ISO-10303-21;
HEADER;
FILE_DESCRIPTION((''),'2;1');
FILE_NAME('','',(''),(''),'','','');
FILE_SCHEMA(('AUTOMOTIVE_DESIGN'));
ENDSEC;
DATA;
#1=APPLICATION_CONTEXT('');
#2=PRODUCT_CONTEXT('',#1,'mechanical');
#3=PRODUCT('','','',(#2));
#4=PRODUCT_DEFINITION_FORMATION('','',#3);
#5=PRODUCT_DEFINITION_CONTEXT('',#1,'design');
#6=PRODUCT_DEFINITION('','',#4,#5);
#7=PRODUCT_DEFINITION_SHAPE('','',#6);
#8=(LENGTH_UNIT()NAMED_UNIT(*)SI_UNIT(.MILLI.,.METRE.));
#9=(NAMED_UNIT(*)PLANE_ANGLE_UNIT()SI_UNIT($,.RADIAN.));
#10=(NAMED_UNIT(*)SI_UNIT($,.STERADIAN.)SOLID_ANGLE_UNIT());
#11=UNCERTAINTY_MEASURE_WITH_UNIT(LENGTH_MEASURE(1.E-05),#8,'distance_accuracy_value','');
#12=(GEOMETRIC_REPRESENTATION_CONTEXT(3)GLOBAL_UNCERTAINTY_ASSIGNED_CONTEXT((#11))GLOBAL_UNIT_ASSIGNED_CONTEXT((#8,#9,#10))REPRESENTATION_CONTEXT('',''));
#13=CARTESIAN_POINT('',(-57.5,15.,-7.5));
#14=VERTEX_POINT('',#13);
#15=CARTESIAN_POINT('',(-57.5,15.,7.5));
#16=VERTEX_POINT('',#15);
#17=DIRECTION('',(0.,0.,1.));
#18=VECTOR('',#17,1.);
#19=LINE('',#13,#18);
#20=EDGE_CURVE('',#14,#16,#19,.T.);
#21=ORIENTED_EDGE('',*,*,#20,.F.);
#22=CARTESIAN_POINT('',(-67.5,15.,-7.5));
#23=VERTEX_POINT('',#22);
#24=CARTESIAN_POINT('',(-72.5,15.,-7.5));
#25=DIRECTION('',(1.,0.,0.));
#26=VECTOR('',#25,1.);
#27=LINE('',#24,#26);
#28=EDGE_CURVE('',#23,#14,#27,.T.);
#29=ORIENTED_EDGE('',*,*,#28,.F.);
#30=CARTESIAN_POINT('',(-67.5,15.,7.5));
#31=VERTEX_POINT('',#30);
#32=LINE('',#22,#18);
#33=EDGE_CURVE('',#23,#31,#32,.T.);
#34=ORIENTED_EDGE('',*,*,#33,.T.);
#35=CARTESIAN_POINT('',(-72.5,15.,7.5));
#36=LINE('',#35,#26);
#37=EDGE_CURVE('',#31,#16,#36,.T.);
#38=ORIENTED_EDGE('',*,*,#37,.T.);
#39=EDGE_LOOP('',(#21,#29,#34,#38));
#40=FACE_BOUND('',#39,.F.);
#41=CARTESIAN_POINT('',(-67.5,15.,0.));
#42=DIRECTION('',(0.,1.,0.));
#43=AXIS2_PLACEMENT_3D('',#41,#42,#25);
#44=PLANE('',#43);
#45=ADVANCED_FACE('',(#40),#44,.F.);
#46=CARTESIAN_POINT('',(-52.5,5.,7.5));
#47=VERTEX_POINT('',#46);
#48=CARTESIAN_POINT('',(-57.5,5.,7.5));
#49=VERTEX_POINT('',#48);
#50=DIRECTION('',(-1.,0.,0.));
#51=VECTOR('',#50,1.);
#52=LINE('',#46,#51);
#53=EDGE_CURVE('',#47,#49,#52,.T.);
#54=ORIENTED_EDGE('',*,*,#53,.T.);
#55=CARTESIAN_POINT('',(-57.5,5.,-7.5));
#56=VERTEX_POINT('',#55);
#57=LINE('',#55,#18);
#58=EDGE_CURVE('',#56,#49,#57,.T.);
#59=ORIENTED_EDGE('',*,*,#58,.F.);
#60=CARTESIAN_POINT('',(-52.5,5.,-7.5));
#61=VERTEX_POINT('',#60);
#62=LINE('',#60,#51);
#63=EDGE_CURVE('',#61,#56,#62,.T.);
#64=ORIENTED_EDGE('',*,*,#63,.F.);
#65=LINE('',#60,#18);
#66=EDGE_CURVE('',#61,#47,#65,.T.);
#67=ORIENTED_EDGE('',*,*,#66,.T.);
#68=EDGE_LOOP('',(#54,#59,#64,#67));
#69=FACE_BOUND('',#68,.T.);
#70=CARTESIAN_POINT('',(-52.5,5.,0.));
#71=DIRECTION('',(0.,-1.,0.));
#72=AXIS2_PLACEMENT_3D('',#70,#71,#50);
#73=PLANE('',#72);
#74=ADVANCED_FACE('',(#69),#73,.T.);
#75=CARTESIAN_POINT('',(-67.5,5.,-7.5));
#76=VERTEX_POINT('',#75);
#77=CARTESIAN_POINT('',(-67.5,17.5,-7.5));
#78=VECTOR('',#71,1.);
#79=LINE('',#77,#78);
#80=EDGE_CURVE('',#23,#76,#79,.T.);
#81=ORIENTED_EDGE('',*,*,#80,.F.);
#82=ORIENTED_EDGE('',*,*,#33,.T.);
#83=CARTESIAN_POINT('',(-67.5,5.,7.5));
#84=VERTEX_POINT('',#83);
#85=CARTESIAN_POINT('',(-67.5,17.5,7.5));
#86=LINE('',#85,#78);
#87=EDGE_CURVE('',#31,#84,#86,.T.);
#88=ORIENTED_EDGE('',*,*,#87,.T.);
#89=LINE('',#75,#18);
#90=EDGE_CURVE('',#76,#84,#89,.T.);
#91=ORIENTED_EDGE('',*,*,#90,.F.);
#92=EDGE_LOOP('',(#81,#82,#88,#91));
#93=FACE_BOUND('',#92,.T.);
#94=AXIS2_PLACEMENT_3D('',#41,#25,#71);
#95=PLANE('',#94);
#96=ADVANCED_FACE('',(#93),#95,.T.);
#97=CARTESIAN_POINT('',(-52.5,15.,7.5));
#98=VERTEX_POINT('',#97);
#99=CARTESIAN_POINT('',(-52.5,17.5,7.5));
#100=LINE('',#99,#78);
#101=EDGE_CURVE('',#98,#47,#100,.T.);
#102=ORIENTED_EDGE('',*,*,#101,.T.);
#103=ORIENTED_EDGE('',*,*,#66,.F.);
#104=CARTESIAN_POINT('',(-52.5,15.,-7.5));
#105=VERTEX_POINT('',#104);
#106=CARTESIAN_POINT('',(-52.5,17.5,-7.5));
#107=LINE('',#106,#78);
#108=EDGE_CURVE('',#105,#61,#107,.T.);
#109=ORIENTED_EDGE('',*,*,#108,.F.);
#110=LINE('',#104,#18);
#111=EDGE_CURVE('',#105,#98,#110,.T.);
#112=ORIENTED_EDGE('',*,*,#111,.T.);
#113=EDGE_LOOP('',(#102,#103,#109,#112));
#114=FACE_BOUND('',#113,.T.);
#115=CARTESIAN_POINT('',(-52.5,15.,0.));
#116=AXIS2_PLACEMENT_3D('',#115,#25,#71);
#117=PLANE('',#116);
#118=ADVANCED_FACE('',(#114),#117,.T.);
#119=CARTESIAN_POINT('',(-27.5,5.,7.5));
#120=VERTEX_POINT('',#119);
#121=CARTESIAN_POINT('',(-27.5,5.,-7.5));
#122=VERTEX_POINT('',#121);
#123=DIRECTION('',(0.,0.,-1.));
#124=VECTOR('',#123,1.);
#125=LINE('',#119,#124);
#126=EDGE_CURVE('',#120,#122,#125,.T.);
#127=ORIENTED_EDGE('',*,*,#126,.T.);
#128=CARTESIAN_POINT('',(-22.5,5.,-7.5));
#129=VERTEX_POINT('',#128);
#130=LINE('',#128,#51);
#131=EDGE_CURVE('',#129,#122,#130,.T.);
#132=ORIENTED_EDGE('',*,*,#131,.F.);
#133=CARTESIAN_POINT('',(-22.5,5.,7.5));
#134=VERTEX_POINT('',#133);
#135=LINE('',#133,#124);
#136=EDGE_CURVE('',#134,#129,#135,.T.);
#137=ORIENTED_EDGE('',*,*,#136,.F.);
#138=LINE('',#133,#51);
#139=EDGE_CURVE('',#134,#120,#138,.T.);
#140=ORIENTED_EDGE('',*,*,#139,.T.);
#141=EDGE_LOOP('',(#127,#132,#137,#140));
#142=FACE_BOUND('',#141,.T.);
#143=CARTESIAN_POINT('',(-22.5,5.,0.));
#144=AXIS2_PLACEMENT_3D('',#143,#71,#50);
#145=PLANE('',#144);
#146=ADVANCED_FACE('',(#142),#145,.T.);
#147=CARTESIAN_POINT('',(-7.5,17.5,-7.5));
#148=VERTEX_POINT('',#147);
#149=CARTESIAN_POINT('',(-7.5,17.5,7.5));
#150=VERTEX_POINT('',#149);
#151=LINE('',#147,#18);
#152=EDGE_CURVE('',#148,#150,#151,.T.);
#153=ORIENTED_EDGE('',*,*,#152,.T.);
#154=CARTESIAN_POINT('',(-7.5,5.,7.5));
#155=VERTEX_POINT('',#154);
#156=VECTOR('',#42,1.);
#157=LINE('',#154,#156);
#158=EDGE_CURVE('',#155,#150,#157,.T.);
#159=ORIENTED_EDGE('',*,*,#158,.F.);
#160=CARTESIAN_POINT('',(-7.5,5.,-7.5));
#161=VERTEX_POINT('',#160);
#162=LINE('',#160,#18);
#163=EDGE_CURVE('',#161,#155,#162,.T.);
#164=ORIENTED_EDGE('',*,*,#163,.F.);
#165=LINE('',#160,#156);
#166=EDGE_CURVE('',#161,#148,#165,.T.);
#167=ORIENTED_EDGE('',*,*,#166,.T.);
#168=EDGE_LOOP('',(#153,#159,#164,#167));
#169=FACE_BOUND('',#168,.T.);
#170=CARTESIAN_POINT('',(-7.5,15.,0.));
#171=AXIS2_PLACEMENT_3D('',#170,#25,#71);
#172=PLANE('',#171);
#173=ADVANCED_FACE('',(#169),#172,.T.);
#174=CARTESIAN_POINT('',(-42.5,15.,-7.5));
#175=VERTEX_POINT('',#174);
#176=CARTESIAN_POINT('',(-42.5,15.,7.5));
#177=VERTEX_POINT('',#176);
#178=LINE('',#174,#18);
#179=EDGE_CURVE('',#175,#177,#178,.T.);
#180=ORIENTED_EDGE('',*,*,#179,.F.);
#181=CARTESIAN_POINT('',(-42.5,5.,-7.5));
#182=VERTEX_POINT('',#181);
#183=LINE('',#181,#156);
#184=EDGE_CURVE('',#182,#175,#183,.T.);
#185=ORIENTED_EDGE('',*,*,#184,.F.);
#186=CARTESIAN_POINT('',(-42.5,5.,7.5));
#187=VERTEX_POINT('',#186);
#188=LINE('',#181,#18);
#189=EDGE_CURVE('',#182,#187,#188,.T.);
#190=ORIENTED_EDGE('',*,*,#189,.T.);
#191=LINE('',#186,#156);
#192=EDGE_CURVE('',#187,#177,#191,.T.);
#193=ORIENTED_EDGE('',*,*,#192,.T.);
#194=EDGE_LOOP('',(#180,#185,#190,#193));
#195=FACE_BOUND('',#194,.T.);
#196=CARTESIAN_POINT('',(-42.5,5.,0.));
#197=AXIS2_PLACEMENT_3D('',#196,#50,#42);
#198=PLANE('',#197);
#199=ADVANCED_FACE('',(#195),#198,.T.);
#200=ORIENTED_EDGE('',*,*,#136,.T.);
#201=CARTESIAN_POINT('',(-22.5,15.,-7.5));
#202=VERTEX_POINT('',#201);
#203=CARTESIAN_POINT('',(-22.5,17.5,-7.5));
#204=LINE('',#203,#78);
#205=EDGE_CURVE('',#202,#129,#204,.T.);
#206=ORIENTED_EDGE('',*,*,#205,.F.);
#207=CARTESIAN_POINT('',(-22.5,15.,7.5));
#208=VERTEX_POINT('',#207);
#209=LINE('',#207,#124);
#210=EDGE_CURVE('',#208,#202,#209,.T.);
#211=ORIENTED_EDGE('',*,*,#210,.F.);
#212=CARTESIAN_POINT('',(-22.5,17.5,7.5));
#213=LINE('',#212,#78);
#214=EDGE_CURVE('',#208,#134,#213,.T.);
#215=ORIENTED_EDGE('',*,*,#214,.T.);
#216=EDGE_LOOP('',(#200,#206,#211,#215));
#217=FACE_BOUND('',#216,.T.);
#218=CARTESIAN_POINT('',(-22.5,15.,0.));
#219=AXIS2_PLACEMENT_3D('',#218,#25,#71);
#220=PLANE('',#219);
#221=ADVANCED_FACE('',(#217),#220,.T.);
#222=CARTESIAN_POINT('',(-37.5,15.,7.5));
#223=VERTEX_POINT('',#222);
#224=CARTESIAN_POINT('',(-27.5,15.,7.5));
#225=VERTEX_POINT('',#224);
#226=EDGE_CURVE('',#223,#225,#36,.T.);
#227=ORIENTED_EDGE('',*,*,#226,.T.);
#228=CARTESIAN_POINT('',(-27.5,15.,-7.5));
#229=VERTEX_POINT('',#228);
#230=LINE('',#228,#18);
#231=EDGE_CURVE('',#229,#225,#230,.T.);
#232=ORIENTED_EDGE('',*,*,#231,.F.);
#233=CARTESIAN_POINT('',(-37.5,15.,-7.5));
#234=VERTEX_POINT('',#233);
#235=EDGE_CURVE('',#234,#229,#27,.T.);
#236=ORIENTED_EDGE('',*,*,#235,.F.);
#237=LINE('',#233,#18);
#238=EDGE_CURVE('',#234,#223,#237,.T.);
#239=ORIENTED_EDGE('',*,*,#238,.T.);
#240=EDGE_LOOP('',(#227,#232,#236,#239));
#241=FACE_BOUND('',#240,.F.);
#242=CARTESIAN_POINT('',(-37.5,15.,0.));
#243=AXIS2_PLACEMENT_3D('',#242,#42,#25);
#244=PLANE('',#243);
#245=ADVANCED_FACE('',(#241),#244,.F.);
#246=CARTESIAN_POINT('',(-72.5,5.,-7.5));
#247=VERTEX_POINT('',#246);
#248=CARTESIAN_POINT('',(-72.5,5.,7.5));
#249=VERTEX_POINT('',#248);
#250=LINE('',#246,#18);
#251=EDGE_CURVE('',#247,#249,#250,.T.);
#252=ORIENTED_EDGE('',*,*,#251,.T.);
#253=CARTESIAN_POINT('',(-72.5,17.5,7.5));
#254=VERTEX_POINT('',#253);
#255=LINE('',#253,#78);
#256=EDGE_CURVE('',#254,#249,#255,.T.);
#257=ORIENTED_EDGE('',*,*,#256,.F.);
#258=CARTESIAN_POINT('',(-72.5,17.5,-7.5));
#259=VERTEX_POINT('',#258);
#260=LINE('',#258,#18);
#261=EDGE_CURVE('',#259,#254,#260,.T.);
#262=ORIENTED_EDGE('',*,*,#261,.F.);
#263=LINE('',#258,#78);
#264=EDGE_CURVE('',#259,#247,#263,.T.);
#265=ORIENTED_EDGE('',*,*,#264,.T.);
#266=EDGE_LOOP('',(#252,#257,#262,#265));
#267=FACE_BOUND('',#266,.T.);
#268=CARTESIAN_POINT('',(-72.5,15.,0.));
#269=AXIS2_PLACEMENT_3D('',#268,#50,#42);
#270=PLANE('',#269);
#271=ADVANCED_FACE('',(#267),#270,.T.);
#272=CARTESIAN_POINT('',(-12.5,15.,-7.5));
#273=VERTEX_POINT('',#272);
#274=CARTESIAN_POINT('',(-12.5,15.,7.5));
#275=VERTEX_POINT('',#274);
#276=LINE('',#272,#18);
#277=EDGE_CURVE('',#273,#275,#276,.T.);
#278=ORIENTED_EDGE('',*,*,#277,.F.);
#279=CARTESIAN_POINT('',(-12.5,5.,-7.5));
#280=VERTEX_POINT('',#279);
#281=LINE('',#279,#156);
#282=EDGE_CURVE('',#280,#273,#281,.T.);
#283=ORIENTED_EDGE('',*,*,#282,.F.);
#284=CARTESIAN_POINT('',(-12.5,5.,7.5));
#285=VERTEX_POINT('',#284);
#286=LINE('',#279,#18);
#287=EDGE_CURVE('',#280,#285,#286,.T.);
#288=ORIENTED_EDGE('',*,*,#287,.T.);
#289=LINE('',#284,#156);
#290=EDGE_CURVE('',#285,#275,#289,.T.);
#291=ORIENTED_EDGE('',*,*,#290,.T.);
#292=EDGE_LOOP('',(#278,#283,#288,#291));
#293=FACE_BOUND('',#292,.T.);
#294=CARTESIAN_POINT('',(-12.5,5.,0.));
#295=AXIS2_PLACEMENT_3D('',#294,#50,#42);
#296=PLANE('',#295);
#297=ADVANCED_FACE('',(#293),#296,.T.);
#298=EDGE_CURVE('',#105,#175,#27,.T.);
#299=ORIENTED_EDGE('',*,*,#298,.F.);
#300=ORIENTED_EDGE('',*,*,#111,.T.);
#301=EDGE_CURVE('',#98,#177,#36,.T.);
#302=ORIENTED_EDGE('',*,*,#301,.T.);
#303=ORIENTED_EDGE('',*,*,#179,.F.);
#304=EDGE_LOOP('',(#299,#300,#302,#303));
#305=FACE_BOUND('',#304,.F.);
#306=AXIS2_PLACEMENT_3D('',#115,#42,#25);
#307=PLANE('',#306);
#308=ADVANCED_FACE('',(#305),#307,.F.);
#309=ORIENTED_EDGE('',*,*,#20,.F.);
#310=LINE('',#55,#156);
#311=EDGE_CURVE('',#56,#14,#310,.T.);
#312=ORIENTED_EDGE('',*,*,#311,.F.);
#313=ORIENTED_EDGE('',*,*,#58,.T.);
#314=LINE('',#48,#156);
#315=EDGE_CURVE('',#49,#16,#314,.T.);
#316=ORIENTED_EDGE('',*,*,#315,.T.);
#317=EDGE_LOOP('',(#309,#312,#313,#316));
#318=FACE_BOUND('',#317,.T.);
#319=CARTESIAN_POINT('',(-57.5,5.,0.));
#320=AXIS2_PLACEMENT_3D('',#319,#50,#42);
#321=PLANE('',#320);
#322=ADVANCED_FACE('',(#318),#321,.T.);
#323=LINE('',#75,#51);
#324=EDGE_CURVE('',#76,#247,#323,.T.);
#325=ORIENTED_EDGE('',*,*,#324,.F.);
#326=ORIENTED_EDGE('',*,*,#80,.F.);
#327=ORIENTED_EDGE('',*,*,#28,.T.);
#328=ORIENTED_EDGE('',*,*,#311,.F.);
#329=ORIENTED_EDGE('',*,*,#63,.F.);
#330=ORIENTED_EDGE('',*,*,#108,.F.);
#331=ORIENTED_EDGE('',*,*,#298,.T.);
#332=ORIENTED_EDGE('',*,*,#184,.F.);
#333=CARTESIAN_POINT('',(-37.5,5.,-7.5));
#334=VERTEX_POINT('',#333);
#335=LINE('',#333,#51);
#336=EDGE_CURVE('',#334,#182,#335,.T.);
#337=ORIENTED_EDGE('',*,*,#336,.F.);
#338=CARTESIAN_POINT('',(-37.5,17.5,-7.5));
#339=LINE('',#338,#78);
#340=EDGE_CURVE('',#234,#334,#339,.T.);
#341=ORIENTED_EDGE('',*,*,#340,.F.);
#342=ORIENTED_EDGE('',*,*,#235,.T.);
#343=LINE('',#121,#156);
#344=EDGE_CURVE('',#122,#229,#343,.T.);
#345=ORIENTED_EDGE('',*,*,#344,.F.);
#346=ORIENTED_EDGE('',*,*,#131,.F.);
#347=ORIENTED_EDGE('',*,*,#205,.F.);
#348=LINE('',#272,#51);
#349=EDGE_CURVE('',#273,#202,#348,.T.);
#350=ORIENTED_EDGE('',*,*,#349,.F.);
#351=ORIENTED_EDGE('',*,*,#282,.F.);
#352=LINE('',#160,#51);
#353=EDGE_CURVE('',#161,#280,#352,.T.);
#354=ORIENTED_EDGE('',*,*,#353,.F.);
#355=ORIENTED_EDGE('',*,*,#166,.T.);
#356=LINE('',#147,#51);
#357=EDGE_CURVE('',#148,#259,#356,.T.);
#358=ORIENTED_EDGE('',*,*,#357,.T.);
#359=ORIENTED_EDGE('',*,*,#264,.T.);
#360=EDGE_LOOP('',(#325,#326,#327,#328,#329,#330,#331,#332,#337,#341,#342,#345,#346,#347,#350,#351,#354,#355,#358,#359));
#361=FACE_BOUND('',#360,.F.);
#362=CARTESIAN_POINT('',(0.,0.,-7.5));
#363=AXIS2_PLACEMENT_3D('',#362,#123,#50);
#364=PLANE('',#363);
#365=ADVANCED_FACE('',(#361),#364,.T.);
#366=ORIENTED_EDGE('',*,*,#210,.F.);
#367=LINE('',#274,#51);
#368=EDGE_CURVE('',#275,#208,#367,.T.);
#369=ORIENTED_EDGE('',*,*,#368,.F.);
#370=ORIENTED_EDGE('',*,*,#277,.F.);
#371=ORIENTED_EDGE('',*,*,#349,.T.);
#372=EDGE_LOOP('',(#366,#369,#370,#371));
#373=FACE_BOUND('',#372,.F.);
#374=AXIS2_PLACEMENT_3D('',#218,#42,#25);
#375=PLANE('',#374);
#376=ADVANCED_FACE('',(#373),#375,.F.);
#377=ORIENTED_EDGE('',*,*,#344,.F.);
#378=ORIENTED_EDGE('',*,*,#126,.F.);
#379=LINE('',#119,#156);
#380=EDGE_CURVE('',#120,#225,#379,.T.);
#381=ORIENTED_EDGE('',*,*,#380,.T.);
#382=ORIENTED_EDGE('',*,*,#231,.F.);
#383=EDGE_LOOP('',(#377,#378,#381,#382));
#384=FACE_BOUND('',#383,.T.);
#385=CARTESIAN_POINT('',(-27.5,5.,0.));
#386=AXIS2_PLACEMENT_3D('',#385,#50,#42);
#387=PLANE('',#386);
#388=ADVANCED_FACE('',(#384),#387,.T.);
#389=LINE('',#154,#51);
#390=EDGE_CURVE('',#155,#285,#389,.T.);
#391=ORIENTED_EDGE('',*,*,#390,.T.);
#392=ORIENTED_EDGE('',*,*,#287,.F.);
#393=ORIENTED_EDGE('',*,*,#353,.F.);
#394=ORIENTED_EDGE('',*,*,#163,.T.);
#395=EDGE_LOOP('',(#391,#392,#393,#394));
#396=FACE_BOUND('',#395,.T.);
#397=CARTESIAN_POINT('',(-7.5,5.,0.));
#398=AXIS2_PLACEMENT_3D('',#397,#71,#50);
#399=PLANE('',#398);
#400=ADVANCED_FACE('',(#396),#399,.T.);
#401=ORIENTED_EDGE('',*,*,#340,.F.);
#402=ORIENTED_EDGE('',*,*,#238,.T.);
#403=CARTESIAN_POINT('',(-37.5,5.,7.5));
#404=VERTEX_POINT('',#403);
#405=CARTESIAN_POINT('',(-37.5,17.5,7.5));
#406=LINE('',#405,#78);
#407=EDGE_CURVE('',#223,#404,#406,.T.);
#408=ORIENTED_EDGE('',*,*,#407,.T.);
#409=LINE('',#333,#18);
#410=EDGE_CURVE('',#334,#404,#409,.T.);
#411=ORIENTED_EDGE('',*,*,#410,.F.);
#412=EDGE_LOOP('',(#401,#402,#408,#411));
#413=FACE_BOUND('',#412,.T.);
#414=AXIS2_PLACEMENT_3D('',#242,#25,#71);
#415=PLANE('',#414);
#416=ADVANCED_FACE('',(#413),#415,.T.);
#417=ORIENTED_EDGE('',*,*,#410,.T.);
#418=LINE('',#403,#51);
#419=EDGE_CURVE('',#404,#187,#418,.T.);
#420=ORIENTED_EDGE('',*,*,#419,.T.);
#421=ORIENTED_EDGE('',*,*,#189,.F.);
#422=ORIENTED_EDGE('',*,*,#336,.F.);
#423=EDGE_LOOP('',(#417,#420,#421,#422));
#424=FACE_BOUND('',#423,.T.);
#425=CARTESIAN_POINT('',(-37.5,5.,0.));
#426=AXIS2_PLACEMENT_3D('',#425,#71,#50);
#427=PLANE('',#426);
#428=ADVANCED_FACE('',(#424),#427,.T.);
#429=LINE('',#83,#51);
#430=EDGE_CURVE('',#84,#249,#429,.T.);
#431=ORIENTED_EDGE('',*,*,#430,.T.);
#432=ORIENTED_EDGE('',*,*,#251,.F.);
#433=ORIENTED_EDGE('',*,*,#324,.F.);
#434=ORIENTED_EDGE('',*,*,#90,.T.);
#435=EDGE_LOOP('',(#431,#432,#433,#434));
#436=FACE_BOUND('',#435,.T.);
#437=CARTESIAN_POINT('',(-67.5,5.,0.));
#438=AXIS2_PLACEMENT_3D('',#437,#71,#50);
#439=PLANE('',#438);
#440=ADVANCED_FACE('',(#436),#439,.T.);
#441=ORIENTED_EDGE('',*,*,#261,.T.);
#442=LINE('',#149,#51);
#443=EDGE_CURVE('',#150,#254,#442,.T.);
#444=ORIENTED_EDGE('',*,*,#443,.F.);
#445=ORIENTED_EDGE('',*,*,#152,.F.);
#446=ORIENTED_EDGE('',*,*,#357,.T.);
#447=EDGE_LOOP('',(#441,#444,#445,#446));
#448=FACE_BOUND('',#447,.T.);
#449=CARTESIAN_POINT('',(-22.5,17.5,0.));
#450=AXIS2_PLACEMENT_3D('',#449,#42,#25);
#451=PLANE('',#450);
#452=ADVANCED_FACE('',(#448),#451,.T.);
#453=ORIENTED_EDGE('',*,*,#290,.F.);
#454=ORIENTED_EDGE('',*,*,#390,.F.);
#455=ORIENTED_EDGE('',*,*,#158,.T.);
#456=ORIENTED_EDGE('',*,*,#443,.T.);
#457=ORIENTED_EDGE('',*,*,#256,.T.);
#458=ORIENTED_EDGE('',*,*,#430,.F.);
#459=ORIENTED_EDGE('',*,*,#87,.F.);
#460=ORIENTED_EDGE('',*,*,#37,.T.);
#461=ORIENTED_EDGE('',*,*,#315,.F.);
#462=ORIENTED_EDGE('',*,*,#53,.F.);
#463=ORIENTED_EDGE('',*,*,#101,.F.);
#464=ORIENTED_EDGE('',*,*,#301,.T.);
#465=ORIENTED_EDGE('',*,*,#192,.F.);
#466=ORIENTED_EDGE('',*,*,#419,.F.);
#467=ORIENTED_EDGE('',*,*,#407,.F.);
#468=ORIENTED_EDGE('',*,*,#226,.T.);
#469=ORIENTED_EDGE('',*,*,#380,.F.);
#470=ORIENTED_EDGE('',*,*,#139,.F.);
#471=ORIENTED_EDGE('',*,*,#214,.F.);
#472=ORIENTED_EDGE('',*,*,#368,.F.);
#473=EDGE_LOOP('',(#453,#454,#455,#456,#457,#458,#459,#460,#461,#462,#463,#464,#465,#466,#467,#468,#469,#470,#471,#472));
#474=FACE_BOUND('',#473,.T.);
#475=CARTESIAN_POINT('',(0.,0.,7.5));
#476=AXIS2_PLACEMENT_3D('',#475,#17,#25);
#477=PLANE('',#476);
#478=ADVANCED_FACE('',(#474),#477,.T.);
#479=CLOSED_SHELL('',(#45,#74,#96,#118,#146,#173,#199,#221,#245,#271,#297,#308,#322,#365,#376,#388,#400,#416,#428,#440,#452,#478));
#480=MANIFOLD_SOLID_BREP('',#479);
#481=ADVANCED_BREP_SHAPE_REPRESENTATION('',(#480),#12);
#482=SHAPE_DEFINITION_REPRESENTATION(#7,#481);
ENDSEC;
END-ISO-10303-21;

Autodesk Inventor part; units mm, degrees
ref_plane "YZ Plane" through (0, 0, 0) normal (1, 0, 0) x (0, 1, 0)
ref_plane "XZ Plane" through (0, 0, 0) normal (0, 1, 0) x (-1, 0, 0)
ref_plane "XY Plane" through (0, 0, 0) normal (0, 0, 1) x (1, 0, 0)
sketch "スケッチ1" plane through (0, 0, 0) normal (0, 0, 1) x (1, 0, 0)
  line L0 (0, 0) -> (-15, 0)
  line L1 (-15, 0) -> (-15, 20)
  line L2 (-15, 20) -> (0, 20)
  line L3 (0, 20) -> (0, 0)
  line L4 (0, 0) -> (0, 43.6966) construction
  line L5 (-15, 12.5) -> (-20, 12.5)
  line L6 (-20, 12.5) -> (-20, 0)
  line L7 (-30, 0) -> (-30, 12.5)
  line L8 (-30, 0) -> (-20, 0)
  line L9 (23.8812, 0) -> (-169.724, 0) construction
  line L10 (-45, 0) -> (-45, 12.5)
  line L11 (-45, 0) -> (-35, 0)
  line L12 (-35, 12.5) -> (-35, 0)
  line L13 (-30, 12.5) -> (-35, 12.5)
  line L14 (-60, 0) -> (-60, 12.5)
  line L15 (-60, 0) -> (-50, 0)
  line L16 (-50, 12.5) -> (-50, 0)
  line L17 (-45, 12.5) -> (-50, 12.5)
  line L18 (-75, 0) -> (-75, 12.5)
  line L19 (-75, 0) -> (-65, 0)
  line L20 (-65, 12.5) -> (-65, 0)
  line L21 (-60, 12.5) -> (-65, 12.5)
  line L22 (-75, 0) -> (-80, 0)
  line L23 (-80, 0) -> (-80, 20)
  line L24 (-80, 20) -> (-75, 20)
  line L25 (-75, 20) -> (-75, 0)
  line L26 (-75, 20) -> (-15, 20)
  line L27 (-75, 0) -> (-80, 5)
  line L28 (-75, 0) -> (-67.9289, 0) construction
  line L29 (0, 5) -> (-5, 0)
  line L30 (-40, 30.9864) -> (-40, -18.8288) construction
  line L31 (-42.5, 17.5) -> (-37.5, 17.5)
  line L32 (-37.5, 17.5) -> (-37.5, 5)
  line L33 (-37.5, 5) -> (-42.5, 5)
  line L34 (-42.5, 5) -> (-42.5, 17.5)
  line L35 (-42.5, 17.5) -> (-37.5, 5) construction
  line L36 (-37.5, 17.5) -> (-42.5, 5) construction
  line L37 (-57.5, 5) -> (-57.5, 17.5)
  line L38 (-52.5, 17.5) -> (-52.5, 5)
  line L39 (-52.5, 5) -> (-57.5, 5)
  line L40 (-72.5, 5) -> (-72.5, 17.5)
  line L41 (-67.5, 17.5) -> (-67.5, 5)
  line L42 (-67.5, 5) -> (-72.5, 5)
  line L43 (-27.5, 5) -> (-27.5, 17.5)
  line L44 (-22.5, 17.5) -> (-22.5, 5)
  line L45 (-22.5, 5) -> (-27.5, 5)
  line L46 (-42.5, 5) -> (-42.5, 17.5)
  line L47 (-37.5, 17.5) -> (-37.5, 5)
  line L48 (-37.5, 5) -> (-42.5, 5)
  line L49 (-57.5, 5) -> (-57.5, 17.5)
  line L50 (-52.5, 17.5) -> (-52.5, 5)
  line L51 (-52.5, 5) -> (-57.5, 5)
  line L52 (-12.5, 5) -> (-12.5, 17.5)
  line L53 (-7.5, 17.5) -> (-7.5, 5)
  line L54 (-7.5, 5) -> (-12.5, 5)
  line L55 (-27.5, 5) -> (-27.5, 17.5)
  line L56 (-22.5, 17.5) -> (-22.5, 5)
  line L57 (-22.5, 5) -> (-27.5, 5)
  line L58 (-42.5, 5) -> (-42.5, 17.5)
  line L59 (-37.5, 17.5) -> (-37.5, 5)
  line L60 (-37.5, 5) -> (-42.5, 5)
  line L61 (-72.5, 17.5) -> (-7.5, 17.5)
  line L62 (-72.5, 15) -> (-7.5, 15)
  point P0 (-40, 11.25)
  point P1 (-67.5, 15)
  point P2 (-57.5, 15)
  point P3 (-52.5, 15)
  point P4 (-42.5, 15)
  point P5 (-37.5, 15)
  point P6 (-27.5, 15)
  point P7 (-22.5, 15)
  point P8 (-12.5, 15)
  dimension "d4" = 15
  dimension "d5" = 20
  dimension "d6" = 5
  dimension "d7" = 10
  dimension "d8" = 7.5
  dimension "d9" = 15
  dimension "d10" = 5
  dimension "d11" = 135
  dimension "d12" = 5
  dimension "d13" = 135
  dimension "d17" = 12.5
  dimension "d18" = 5
  dimension "d19" = 5
  dimension "d22" = 15
  dimension "d25" = 15
  dimension "d28" = 2.5
extrude "押し出し1" add sketch "スケッチ1" along normal blind 7.5 contours L62 L44 L61 L1 | L1 L61 L52 L62 | L62 L43 L61 L44 | L44 L45 L43 L62 | L62 L53 L54 L52 | L52 L61 L53 L62 | L62 L32 L61 L43 | L62 L34 L31 L32 | L32 L33 L34 L62 | L62 L38 L61 L34 | L62 L37 L61 L38 | L38 L39 L37 L62 | L62 L41 L61 L37 | L62 L40 L61 L41 | L41 L42 L40 L62
mirror "ミラー1" about plane through (-40, 11.25, 0) normal (0, 0, -1) of "押し出し1"
properties part number "chamber"
